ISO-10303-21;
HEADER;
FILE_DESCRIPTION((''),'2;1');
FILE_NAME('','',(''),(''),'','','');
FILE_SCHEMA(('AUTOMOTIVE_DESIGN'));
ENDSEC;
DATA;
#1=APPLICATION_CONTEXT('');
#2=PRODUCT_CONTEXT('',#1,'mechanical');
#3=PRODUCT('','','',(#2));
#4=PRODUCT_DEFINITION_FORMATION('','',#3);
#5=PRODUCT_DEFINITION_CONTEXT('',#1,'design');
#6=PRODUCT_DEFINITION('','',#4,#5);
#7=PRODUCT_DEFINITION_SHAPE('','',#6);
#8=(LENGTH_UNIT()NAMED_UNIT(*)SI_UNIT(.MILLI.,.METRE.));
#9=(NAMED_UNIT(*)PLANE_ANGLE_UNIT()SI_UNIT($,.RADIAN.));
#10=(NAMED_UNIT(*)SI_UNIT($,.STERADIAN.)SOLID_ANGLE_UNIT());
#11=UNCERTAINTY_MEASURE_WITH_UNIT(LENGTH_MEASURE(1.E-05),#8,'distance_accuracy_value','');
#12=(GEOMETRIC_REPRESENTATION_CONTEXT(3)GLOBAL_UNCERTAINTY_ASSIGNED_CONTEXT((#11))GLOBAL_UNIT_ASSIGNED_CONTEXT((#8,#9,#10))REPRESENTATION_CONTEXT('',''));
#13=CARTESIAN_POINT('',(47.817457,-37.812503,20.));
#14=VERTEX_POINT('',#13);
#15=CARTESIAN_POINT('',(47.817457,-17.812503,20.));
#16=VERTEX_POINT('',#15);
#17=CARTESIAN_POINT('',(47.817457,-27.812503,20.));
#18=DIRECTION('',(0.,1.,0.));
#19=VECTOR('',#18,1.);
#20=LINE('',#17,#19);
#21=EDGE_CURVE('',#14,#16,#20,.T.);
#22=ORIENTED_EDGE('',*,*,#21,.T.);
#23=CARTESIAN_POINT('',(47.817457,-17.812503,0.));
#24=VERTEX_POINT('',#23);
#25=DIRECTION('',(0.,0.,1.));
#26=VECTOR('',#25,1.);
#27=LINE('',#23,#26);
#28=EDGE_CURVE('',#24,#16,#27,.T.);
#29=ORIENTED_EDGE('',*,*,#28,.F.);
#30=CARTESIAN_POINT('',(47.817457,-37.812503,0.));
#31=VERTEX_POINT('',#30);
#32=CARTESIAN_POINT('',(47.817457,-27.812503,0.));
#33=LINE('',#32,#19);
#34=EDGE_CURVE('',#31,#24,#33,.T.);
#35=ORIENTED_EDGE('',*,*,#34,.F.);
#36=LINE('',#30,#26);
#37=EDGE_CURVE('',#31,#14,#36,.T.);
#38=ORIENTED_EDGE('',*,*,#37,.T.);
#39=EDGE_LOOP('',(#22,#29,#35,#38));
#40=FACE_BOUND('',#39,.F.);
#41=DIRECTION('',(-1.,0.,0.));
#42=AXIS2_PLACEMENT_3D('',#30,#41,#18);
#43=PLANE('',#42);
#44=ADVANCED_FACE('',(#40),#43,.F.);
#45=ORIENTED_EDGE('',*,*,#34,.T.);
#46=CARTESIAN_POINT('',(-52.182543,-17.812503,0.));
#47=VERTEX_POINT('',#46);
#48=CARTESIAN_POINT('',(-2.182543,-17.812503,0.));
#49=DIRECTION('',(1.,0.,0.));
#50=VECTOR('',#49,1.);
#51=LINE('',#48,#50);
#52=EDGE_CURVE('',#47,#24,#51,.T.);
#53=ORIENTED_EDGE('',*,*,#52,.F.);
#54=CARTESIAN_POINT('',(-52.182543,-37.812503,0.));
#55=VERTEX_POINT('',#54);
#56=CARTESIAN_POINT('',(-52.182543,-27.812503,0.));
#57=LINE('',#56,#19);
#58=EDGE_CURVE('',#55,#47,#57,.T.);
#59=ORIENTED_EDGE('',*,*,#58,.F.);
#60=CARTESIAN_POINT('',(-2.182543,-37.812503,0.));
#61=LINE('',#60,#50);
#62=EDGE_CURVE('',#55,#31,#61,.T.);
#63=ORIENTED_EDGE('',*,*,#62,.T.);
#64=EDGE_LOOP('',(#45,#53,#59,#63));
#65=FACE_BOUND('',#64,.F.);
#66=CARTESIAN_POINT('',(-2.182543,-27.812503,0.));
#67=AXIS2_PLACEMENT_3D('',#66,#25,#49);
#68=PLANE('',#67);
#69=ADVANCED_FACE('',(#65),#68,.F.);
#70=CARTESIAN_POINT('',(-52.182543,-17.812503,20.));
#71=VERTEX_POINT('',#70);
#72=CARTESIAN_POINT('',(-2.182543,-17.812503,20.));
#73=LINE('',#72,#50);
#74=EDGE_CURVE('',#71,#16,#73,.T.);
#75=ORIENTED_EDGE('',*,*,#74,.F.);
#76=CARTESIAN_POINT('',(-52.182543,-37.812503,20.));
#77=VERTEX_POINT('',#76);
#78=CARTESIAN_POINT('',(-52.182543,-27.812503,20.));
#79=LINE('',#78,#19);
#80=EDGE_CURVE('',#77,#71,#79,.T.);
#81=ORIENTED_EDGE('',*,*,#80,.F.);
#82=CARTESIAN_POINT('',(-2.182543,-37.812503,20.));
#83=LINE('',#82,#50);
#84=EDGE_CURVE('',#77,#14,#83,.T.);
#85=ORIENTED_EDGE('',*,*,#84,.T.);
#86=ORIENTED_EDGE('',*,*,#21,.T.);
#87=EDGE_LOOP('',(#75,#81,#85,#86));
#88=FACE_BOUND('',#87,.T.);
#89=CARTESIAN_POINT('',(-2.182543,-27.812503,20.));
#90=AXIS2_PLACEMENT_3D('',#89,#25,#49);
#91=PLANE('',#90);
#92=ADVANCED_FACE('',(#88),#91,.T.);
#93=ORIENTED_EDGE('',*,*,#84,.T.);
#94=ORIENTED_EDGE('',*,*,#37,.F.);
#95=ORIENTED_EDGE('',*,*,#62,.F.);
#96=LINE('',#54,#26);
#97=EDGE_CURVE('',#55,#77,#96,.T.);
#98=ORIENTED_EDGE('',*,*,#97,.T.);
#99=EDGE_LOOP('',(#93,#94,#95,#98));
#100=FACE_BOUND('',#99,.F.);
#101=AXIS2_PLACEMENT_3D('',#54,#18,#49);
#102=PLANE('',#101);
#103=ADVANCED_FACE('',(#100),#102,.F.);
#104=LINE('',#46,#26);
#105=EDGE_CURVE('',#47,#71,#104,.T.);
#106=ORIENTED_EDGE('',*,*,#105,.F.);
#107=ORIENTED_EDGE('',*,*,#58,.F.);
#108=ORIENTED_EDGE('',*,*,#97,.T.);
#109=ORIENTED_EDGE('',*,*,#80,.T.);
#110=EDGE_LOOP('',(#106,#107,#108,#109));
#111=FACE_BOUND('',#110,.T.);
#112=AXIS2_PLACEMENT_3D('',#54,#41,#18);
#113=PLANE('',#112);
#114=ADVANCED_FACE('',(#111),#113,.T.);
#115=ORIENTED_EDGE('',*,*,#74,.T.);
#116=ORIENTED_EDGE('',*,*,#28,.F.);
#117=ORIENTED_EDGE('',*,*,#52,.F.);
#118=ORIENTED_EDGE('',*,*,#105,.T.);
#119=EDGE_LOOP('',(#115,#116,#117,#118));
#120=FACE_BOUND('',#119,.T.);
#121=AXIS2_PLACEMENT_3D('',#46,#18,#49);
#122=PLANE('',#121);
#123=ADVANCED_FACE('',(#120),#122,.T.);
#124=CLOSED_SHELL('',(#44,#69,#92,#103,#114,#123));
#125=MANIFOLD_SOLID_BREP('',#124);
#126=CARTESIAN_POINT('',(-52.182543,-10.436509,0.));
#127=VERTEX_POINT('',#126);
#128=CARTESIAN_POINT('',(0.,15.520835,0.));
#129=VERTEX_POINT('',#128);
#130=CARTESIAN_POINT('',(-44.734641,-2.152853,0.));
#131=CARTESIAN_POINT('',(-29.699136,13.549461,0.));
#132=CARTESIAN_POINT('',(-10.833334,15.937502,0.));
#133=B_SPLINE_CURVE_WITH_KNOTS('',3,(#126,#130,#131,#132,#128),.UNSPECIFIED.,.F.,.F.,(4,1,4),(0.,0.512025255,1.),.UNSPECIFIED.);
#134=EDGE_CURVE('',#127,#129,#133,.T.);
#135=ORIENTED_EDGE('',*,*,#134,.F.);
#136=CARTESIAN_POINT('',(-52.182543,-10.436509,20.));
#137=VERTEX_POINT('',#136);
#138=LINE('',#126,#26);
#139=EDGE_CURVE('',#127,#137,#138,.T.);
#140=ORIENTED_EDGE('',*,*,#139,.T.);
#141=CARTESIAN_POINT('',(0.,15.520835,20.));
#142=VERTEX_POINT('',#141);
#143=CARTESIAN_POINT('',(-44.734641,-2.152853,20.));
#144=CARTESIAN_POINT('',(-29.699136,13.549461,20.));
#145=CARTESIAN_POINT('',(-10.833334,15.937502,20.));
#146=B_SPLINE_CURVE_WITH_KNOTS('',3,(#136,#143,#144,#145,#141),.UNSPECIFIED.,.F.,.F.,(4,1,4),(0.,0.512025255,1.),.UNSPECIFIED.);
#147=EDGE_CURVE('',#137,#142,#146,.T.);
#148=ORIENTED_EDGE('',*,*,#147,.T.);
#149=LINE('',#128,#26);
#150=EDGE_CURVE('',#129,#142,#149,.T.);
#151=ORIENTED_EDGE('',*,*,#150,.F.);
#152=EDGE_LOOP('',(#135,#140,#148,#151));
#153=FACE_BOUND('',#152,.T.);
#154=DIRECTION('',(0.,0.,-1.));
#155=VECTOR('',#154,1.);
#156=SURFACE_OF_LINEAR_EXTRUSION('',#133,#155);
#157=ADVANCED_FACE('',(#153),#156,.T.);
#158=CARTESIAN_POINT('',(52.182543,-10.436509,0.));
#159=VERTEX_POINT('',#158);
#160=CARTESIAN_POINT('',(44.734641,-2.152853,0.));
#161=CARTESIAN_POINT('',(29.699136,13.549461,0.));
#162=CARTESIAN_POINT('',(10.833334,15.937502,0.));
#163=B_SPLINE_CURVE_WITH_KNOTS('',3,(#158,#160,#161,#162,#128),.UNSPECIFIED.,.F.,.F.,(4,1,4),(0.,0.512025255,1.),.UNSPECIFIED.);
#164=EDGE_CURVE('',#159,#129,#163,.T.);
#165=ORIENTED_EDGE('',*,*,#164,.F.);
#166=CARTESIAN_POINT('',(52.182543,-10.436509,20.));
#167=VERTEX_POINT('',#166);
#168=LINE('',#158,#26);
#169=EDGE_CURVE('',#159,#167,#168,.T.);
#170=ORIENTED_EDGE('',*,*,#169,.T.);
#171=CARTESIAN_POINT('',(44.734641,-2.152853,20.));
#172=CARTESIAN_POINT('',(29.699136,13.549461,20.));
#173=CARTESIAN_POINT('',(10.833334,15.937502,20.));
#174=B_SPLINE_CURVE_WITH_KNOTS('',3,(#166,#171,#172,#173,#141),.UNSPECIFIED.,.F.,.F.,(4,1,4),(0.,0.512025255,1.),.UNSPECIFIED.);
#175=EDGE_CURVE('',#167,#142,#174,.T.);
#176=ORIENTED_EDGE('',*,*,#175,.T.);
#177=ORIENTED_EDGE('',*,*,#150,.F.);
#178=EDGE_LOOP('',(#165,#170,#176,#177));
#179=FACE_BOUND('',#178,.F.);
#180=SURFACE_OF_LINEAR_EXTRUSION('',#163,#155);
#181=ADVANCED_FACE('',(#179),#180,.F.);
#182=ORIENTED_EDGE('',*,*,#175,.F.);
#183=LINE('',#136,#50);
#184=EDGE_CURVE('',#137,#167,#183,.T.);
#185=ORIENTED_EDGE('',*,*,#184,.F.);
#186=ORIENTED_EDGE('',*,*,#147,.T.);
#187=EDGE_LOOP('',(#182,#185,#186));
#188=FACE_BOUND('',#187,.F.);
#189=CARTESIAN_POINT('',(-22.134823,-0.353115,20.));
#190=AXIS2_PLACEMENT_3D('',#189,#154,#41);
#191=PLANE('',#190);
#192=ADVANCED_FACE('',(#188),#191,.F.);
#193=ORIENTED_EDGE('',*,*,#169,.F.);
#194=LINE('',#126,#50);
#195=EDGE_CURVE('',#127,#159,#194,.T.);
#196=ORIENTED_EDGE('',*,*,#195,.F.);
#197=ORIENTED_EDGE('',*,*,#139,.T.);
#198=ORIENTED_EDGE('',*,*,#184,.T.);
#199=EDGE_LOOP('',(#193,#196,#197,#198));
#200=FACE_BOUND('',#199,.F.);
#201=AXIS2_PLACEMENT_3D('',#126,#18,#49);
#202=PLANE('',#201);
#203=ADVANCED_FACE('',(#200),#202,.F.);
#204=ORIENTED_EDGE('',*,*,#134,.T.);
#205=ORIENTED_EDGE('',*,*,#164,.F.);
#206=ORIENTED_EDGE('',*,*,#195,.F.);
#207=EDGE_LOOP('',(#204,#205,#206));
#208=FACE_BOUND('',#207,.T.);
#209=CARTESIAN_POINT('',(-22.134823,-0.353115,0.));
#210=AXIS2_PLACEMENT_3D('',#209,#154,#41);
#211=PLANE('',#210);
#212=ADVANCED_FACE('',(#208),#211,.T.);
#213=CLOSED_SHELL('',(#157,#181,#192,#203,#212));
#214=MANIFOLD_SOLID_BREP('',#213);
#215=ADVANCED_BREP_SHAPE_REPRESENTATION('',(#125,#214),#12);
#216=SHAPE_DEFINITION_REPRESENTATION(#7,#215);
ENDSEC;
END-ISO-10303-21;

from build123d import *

# Parameters (mm, degrees)
F1_DEPTH = 20
F0_W     = 100
F0_H     = 20
F2_DEPTH = 20


with BuildPart() as f1:
    # F0 (on Top) → F1 (new body)
    with BuildSketch(Plane.XY):
        with BuildLine():
            add(Edge.make_bspline(
                [(-52.1825432403, -10.4365086481), (-44.7346413917, -2.1528527071), (-29.6991356564, 13.5494612884), (-10.8333339813, 15.9375015795), (0, 15.5208350748)],
                knots=[0, 0, 0, 0, 0.5120252548, 1, 1, 1, 1], degree=3))
            Line((-52.1825432403, -10.4365086481), (0, -10.4365086481))
            Line((0, -10.4365086481), (0, 15.5208350748))
        make_face()
        with BuildLine():
            add(Edge.make_bspline(
                [(52.1825432403, -10.4365086481), (44.7346413917, -2.1528527071), (29.6991356564, 13.5494612884), (10.8333339813, 15.9375015795), (0, 15.5208350748)],
                knots=[0, 0, 0, 0, 0.5120252548, 1, 1, 1, 1], degree=3))
            Line((0, 15.5208350748), (0, -10.4365086481))
            Line((0, -10.4365086481), (52.1825432403, -10.4365086481))
        make_face()
    extrude(amount=F1_DEPTH)


with BuildPart() as f2:
    # F0 (on Top) → F2 (new body)
    with BuildSketch(Plane.XY):
        with Locations((-2.1825432403, -27.8125027944)):
            Rectangle(F0_W, F0_H)
    extrude(amount=F2_DEPTH)


solid = Compound([f1.part, f2.part])
